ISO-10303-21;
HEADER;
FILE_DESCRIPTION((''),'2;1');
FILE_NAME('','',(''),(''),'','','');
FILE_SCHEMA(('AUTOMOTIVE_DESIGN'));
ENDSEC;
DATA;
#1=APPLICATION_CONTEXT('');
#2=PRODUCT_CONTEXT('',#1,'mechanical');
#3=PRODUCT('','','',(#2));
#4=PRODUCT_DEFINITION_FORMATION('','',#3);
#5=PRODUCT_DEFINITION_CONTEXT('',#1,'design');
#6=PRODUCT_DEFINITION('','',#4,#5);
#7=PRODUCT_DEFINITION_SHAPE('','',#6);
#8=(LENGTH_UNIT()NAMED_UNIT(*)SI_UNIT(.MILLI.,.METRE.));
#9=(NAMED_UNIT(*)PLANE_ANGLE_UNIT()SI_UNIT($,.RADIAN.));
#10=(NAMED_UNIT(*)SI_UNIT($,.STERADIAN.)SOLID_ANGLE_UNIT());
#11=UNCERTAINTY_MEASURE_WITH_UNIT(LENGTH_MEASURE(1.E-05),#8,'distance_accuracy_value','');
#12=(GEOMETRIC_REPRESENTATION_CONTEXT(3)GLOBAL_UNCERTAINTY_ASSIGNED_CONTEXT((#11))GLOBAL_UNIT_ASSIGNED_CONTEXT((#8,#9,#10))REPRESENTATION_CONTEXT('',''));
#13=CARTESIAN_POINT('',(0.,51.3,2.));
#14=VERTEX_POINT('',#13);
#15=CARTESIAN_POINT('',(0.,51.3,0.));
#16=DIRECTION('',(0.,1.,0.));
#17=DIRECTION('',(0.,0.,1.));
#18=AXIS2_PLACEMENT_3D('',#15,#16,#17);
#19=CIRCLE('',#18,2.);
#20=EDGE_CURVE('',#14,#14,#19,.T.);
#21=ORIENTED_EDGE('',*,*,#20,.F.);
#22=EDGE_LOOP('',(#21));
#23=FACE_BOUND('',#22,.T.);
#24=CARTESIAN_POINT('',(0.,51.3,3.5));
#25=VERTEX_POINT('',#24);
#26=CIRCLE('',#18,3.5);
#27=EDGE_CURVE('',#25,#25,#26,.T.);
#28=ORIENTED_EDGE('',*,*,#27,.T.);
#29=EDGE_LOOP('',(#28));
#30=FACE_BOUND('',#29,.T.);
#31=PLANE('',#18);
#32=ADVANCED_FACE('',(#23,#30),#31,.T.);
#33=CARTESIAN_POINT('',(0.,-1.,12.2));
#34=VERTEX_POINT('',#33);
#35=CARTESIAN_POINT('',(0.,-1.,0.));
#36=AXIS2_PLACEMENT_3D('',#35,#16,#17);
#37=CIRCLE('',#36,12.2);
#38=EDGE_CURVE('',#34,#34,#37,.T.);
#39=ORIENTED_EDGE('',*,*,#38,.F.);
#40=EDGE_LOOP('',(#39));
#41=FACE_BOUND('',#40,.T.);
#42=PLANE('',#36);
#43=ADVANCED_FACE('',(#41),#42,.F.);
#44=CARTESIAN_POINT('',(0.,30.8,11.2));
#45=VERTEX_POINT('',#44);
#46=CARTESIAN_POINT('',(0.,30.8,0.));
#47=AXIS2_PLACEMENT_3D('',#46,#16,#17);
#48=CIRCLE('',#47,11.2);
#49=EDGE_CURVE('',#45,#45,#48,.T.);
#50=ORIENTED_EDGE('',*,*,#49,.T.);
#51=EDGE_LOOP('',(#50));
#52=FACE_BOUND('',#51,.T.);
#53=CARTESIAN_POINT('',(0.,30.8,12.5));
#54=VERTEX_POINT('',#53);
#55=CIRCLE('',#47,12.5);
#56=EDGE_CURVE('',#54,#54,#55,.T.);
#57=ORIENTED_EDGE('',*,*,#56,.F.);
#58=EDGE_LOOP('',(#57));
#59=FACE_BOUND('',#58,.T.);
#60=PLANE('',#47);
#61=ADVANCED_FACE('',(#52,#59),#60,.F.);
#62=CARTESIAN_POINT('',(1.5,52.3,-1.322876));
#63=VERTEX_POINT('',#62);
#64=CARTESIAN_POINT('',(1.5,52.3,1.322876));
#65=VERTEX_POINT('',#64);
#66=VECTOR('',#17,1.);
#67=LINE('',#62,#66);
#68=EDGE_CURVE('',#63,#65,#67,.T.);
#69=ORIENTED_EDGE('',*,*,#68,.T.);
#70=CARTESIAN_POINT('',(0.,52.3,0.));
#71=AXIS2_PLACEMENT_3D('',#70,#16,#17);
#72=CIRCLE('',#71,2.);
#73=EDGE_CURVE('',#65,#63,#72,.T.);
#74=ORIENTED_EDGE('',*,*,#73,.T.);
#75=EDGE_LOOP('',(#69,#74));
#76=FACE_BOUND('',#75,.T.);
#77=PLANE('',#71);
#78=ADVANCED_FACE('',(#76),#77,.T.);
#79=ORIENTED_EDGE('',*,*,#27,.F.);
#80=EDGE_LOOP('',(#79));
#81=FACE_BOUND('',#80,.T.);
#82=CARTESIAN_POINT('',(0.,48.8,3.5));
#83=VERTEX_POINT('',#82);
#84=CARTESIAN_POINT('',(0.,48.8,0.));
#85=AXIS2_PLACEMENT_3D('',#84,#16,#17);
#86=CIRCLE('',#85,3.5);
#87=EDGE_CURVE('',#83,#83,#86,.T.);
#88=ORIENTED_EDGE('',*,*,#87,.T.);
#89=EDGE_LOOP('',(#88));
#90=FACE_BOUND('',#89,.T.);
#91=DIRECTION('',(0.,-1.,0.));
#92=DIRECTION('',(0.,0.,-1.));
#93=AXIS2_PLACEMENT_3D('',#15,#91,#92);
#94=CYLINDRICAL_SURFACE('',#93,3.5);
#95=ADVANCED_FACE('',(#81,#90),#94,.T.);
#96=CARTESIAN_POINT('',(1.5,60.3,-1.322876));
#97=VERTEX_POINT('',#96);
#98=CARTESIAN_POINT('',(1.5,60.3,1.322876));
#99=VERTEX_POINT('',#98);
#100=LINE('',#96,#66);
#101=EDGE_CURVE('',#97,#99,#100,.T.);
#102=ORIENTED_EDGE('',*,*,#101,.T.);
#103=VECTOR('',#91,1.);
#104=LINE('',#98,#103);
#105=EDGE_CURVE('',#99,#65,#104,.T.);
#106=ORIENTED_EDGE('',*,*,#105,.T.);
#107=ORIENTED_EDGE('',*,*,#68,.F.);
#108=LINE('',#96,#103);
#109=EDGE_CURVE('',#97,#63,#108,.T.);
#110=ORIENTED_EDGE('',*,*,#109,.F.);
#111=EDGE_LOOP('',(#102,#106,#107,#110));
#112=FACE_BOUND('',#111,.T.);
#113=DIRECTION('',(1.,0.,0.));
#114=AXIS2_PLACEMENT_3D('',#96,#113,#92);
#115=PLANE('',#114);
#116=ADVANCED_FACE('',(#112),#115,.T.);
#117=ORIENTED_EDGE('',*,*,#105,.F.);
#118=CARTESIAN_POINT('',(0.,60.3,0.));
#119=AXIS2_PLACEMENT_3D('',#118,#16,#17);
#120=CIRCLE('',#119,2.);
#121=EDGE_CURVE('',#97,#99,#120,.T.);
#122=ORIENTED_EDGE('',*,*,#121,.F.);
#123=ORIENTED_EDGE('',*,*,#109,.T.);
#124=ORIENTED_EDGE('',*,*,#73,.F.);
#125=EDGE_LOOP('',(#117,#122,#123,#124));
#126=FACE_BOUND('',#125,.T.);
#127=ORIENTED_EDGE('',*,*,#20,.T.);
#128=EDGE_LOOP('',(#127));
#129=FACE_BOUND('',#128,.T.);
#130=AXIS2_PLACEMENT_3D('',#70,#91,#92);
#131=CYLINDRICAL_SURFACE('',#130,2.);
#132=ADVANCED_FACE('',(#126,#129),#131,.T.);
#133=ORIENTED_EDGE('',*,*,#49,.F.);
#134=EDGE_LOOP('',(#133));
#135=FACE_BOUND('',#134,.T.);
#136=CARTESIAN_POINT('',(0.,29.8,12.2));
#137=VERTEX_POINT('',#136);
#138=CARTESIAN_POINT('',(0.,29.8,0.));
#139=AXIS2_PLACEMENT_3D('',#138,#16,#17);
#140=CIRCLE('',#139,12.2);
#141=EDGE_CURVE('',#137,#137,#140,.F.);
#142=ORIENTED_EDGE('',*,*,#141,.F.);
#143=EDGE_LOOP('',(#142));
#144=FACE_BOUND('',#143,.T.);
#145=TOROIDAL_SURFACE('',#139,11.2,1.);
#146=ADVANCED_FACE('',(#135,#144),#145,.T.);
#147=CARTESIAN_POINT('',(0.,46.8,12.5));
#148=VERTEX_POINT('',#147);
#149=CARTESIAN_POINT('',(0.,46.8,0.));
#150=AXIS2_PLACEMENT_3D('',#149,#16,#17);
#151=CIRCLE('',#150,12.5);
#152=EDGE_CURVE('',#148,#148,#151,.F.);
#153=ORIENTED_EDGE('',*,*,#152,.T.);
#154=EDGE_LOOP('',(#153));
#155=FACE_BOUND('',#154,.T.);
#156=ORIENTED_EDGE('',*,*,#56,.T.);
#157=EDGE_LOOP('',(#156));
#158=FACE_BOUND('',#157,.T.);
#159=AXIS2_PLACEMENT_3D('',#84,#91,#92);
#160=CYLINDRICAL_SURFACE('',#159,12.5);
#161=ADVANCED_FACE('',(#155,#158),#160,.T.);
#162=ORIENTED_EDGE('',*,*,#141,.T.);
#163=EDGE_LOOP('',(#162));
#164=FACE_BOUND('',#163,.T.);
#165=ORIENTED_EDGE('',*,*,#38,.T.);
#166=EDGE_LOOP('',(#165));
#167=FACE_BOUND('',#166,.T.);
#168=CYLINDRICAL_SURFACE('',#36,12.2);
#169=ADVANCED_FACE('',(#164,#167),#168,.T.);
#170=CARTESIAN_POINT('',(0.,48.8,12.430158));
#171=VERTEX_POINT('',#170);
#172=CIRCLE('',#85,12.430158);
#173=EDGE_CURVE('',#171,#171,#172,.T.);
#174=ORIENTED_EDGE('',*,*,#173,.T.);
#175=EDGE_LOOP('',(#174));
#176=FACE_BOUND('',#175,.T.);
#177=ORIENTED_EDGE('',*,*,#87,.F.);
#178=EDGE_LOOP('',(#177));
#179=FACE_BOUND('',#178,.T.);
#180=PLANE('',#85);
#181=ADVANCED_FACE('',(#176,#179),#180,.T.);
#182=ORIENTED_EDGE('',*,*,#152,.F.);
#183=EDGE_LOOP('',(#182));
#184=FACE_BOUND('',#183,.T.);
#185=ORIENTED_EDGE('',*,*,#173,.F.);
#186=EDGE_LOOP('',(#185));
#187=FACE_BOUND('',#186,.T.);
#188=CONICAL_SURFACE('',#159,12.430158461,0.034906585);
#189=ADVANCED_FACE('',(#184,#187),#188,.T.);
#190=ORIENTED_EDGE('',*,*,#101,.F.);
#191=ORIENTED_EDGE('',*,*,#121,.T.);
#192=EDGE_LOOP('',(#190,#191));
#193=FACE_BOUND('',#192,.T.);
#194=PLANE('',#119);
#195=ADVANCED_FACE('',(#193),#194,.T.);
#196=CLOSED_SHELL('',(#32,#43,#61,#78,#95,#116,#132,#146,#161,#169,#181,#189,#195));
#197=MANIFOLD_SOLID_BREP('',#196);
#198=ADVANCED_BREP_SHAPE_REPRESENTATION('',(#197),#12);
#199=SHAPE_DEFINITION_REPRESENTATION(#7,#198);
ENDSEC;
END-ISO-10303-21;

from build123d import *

# Parameters (mm, degrees)
SKETCH1_R                = 12.2
BOSS_EXTRUDE1_DEPTH      = 30.8
BOSS_EXTRUDE1_DEPTH_BACK = 1
FILLET2_R                = 1
SKETCH4_R                = 12.5
BOSS_EXTRUDE2_DEPTH      = 18
CHAMFER5_SIZE            = 2
CHAMFER5_SIZE2           = 0.069841539
SKETCH5_R                = 3.5
BOSS_EXTRUDE3_DEPTH      = 2.5
SKETCH6_R                = 2
BOSS_EXTRUDE4_DEPTH      = 1
BOSS_EXTRUDE6_DEPTH      = 8


with BuildPart() as part:
    # Sketch1 → Boss-Extrude1 (new body, two sides)
    with BuildSketch(Plane(origin=(0, 0, 0), x_dir=(1, 0, 0), z_dir=(0, 1, 0))) as boss_extrude1_sk:
        Circle(SKETCH1_R)
    extrude(amount=BOSS_EXTRUDE1_DEPTH)
    extrude(boss_extrude1_sk.sketch, amount=-BOSS_EXTRUDE1_DEPTH_BACK)

    # Fillet2
    fillet2_edges = [part.edges().sort_by_distance(p)[0] for p in [
        (-12.2, 30.8, 0),
    ]]
    fillet(fillet2_edges, radius=FILLET2_R)

    # Sketch4 → Boss-Extrude2 (add)
    with BuildSketch(Plane(origin=(0, 30.8, 0), x_dir=(1, 0, 0), z_dir=(0, 1, 0))):
        Circle(SKETCH4_R)
    extrude(amount=BOSS_EXTRUDE2_DEPTH)

    # Chamfer5
    chamfer5_edges = [part.edges().sort_by_distance(p)[0] for p in [
        (-12.5, 48.8, 0),
    ]]
    chamfer5_side = [part.faces().sort_by_distance(p)[0] for p in [
        (-12.5, 39.8, 0),
    ]]
    chamfer(chamfer5_edges, length=CHAMFER5_SIZE, length2=CHAMFER5_SIZE2, reference=chamfer5_side[0])

    # Sketch5 → Boss-Extrude3 (add)
    with BuildSketch(Plane(origin=(0, 48.8, 0), x_dir=(1, 0, 0), z_dir=(0, 1, 0))):
        Circle(SKETCH5_R)
    extrude(amount=BOSS_EXTRUDE3_DEPTH)

    # Sketch6 → Boss-Extrude4 (add)
    with BuildSketch(Plane(origin=(0, 51.3, 0), x_dir=(1, 0, 0), z_dir=(0, 1, 0))):
        Circle(SKETCH6_R)
    extrude(amount=BOSS_EXTRUDE4_DEPTH)

    # Sketch12 → Boss-Extrude6 (add)
    with BuildSketch(Plane(origin=(0, 52.3, 0), x_dir=(1, 0, 0), z_dir=(0, 1, 0))):
        with BuildLine():
            Line((1.5, 1.322875656), (1.5, -1.322875656))
            ThreePointArc((1.5, -1.322875656), (-2, 0), (1.5, 1.322875656))
        make_face()
    extrude(amount=BOSS_EXTRUDE6_DEPTH)


solid = part.part
